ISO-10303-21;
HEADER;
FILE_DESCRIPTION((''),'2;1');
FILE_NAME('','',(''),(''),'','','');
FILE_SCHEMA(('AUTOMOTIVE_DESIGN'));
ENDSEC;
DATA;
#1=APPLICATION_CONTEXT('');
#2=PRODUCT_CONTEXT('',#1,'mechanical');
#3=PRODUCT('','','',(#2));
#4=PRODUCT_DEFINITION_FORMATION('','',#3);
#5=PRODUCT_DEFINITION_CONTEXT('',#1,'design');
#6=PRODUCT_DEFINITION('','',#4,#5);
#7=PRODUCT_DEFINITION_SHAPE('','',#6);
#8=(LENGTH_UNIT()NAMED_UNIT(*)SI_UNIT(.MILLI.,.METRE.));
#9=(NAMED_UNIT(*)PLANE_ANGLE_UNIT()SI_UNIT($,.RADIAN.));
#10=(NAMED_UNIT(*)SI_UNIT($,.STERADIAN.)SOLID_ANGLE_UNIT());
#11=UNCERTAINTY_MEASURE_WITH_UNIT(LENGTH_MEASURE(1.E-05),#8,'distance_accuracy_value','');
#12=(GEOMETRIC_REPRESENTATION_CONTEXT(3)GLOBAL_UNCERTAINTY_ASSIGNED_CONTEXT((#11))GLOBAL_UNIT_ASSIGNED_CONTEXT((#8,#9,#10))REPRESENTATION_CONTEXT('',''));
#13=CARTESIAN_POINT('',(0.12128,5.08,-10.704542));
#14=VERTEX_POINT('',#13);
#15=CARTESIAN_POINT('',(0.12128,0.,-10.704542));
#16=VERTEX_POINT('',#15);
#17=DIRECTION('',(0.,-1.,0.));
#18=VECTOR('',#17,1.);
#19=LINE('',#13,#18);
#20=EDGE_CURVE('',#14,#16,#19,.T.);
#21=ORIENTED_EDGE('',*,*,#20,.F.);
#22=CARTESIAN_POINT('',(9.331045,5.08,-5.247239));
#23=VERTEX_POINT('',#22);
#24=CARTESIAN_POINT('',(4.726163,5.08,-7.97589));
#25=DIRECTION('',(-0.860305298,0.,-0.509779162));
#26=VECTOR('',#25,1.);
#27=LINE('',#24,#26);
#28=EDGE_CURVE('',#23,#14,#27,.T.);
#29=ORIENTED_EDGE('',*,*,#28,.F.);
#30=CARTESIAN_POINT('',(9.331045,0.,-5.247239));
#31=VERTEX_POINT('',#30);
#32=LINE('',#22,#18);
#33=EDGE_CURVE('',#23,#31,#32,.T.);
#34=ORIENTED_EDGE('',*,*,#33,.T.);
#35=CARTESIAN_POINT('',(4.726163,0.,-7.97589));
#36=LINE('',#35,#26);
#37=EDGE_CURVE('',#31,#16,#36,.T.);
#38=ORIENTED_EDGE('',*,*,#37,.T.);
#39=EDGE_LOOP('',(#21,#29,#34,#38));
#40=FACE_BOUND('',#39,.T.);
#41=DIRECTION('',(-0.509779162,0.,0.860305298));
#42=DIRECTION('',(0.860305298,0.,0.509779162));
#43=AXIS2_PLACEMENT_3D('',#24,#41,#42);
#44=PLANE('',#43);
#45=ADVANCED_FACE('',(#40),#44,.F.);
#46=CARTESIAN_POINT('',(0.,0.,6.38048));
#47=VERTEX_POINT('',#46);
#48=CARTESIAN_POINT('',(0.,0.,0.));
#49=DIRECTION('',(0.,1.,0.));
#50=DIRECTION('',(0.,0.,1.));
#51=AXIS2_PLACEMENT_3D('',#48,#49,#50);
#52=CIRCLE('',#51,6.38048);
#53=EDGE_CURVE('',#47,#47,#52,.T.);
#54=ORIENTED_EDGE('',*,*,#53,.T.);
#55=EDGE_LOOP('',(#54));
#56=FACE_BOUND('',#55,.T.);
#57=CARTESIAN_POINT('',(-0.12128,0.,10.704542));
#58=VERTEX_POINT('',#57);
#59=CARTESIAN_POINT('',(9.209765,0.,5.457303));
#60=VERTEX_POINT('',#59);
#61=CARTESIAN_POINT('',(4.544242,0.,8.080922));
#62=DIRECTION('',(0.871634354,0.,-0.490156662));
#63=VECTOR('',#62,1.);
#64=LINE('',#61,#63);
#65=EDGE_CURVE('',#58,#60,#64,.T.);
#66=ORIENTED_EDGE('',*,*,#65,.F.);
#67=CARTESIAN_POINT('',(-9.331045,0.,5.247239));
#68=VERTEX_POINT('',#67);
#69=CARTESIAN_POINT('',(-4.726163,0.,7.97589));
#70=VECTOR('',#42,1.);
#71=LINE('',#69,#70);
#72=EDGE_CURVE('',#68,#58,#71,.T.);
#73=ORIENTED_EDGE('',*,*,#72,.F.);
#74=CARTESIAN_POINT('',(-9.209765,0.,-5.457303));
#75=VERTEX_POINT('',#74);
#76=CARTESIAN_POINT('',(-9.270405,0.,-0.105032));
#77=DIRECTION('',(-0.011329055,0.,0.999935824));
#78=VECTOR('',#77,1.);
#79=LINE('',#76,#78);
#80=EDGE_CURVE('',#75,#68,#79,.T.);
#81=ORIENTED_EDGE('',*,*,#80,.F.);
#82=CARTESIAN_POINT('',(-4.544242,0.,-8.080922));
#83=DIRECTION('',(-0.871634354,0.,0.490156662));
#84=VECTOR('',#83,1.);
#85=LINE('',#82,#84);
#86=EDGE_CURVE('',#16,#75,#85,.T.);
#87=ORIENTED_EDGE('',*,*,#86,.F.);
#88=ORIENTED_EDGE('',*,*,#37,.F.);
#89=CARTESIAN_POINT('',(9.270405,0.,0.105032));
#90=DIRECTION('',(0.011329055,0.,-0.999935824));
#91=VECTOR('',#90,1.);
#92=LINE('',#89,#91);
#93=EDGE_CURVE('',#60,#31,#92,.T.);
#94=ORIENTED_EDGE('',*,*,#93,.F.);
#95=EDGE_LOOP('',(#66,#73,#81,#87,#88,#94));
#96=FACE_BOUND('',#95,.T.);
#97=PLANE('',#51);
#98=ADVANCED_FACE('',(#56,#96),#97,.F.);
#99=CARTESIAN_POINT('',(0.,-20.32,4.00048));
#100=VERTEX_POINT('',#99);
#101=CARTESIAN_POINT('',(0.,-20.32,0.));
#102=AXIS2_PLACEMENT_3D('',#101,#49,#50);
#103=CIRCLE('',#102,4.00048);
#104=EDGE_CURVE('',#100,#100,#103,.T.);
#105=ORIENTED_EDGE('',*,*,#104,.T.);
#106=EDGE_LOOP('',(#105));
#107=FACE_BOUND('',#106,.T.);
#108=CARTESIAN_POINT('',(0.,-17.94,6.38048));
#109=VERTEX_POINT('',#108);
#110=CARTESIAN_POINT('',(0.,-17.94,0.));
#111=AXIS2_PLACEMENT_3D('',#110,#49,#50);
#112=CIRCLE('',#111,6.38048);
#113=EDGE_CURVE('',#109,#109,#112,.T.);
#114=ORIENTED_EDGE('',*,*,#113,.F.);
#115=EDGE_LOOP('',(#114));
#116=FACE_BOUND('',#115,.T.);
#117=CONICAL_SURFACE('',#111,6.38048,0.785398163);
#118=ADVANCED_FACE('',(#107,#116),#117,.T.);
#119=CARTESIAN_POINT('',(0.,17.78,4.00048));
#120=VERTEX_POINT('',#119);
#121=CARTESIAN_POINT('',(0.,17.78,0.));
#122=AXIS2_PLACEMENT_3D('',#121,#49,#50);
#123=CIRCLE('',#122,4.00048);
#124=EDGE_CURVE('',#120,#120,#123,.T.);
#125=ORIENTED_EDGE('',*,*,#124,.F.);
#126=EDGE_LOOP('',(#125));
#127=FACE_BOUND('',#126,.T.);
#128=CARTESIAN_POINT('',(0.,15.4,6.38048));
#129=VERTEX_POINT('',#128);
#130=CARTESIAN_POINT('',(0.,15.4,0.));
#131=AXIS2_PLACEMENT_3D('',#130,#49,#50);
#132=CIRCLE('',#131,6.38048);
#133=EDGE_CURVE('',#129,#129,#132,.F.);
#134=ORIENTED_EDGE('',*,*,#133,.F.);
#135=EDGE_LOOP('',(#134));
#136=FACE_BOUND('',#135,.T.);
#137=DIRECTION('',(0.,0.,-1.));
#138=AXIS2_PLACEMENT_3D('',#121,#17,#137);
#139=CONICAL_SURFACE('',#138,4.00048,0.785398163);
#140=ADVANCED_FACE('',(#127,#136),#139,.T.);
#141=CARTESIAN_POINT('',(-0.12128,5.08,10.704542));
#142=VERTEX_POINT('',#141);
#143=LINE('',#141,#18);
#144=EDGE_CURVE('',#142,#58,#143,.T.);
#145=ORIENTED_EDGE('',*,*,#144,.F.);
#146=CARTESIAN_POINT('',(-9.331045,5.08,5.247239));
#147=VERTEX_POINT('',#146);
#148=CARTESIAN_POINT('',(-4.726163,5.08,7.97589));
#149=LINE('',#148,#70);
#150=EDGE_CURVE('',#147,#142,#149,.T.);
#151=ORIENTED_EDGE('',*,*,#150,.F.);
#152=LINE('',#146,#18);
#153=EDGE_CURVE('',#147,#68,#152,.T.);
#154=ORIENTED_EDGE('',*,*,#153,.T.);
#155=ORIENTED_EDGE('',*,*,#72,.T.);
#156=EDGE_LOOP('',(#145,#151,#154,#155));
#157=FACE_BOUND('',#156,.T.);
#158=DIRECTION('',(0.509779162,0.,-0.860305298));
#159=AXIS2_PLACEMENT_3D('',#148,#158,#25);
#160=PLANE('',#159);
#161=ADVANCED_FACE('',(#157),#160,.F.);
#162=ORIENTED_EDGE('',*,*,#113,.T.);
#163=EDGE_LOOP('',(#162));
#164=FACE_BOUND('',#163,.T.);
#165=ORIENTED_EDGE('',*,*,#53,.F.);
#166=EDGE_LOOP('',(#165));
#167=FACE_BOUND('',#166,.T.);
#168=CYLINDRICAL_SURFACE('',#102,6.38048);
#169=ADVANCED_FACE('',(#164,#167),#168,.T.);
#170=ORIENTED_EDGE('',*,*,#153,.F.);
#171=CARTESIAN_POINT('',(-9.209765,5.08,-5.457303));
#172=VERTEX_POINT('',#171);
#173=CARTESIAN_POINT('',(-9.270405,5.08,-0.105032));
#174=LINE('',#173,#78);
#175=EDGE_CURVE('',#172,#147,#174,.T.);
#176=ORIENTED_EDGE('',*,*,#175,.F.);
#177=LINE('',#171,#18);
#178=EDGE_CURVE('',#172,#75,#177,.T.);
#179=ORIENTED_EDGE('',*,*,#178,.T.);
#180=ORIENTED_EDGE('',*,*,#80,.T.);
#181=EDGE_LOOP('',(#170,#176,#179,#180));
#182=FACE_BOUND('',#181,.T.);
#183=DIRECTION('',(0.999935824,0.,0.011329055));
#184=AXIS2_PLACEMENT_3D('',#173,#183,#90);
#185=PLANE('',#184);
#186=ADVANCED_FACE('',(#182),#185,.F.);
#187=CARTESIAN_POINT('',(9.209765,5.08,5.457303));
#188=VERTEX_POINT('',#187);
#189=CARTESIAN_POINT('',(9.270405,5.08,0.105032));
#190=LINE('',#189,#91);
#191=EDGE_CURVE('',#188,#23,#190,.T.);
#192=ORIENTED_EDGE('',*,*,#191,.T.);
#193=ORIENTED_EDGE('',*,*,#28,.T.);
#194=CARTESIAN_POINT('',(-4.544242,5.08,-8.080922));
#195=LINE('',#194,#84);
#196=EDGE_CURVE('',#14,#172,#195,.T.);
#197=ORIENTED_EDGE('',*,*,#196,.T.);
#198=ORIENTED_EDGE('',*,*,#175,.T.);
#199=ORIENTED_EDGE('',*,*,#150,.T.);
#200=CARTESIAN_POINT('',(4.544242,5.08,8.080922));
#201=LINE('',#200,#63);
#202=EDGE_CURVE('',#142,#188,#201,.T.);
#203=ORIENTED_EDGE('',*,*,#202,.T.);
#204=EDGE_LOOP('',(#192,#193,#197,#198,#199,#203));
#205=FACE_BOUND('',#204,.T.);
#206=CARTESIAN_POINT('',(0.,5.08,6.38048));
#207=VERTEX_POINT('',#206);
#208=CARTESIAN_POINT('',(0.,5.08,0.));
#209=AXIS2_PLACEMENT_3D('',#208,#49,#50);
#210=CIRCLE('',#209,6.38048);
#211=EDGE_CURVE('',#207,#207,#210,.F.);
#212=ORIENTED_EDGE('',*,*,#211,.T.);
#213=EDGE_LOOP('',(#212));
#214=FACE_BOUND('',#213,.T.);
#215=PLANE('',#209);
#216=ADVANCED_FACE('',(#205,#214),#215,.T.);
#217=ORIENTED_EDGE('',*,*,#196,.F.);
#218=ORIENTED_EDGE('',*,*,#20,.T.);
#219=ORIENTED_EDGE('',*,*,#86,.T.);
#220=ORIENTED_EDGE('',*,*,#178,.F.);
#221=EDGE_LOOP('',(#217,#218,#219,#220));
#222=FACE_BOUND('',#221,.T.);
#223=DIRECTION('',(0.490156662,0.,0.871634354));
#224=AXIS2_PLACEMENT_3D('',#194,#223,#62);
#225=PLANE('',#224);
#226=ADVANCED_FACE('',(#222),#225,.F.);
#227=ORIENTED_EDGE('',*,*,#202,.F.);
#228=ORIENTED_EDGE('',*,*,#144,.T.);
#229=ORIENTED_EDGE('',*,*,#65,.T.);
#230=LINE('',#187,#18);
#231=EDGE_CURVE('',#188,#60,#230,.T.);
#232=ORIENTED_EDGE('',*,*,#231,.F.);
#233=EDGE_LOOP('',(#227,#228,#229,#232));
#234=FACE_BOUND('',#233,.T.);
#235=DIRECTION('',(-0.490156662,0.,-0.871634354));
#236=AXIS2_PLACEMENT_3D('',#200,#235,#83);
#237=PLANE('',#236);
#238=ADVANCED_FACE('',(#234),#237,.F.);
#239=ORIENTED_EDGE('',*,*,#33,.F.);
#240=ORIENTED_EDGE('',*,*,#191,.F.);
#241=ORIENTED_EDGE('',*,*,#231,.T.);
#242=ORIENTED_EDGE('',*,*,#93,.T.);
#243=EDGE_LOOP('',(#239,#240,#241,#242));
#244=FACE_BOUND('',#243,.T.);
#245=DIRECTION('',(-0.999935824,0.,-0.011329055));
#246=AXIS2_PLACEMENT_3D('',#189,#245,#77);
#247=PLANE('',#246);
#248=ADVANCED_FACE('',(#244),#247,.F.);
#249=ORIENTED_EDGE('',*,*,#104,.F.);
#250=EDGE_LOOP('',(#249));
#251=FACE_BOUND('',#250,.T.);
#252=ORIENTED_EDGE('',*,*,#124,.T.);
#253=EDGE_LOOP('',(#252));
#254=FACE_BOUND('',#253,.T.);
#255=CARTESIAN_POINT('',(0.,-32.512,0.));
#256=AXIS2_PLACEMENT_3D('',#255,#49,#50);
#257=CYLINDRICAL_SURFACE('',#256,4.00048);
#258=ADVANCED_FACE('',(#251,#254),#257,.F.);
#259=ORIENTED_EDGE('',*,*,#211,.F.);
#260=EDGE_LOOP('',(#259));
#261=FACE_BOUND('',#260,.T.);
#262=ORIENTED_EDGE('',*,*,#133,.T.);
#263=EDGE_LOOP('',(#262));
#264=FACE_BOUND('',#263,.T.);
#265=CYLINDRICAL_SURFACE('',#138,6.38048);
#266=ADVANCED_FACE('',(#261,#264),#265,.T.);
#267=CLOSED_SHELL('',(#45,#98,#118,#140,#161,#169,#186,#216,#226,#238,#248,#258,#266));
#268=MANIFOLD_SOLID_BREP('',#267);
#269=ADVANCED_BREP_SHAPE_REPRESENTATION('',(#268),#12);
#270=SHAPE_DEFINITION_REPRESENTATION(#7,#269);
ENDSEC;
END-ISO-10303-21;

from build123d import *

# Parameters (mm, degrees)
BOSS_EXTRUDE1_DEPTH = 5.08
SKETCH1_4_R         = 6.38048
BOSS_EXTRUDE2_DEPTH = 17.78
BOSS_EXTRUDE3_START = -20.32
SKETCH1_5_R         = 6.38048
BOSS_EXTRUDE3_DEPTH = 20.32
SKETCH3_R           = 4.00047968
CUT_EXTRUDE1_DEPTH  = 50.292
CHAMFER1_SIZE       = 2.38
CHAMFER2_SIZE       = 2.38


with BuildPart() as part:
    # Sketch1 → Boss-Extrude1 (new body)
    with BuildSketch(Plane(origin=(0, 0, 0), x_dir=(1, 0, 0), z_dir=(0, 1, 0))):
        Polygon((-0.121280128, -10.704541675), (9.209764962, -5.457302509), (9.33104509, 5.247239165), (0.121280128, 10.704541675), (-9.209764962, 5.457302509), (-9.33104509, -5.247239165), align=None)
    extrude(amount=BOSS_EXTRUDE1_DEPTH)

    # Sketch1_4 → Boss-Extrude2 (add)
    with BuildSketch(Plane(origin=(0, 0, 0), x_dir=(1, 0, 0), z_dir=(0, 1, 0))):
        Circle(SKETCH1_4_R)
    extrude(amount=BOSS_EXTRUDE2_DEPTH)

    # Sketch1_5 → Boss-Extrude3 (add)
    with BuildSketch(Plane(origin=(0, 0, 0), x_dir=(1, 0, 0), z_dir=(0, 1, 0)).offset(BOSS_EXTRUDE3_START)):
        Circle(SKETCH1_5_R)
    extrude(amount=BOSS_EXTRUDE3_DEPTH)

    # Sketch3 → Cut-Extrude1 (cut)
    with BuildSketch(Plane(origin=(0, 17.78, 0), x_dir=(1, 0, 0), z_dir=(0, 1, 0))):
        Circle(SKETCH3_R)
    extrude(amount=-CUT_EXTRUDE1_DEPTH, mode=Mode.SUBTRACT)

    # Chamfer1
    chamfer1_edges = [part.edges().sort_by_distance(p)[0] for p in [
        (-6.38048, 17.78, 0),
    ]]
    chamfer(chamfer1_edges, length=CHAMFER1_SIZE)

    # Chamfer2
    chamfer2_edges = [part.edges().sort_by_distance(p)[0] for p in [
        (-6.38048, -20.32, 0),
    ]]
    chamfer(chamfer2_edges, length=CHAMFER2_SIZE)


solid = part.part
